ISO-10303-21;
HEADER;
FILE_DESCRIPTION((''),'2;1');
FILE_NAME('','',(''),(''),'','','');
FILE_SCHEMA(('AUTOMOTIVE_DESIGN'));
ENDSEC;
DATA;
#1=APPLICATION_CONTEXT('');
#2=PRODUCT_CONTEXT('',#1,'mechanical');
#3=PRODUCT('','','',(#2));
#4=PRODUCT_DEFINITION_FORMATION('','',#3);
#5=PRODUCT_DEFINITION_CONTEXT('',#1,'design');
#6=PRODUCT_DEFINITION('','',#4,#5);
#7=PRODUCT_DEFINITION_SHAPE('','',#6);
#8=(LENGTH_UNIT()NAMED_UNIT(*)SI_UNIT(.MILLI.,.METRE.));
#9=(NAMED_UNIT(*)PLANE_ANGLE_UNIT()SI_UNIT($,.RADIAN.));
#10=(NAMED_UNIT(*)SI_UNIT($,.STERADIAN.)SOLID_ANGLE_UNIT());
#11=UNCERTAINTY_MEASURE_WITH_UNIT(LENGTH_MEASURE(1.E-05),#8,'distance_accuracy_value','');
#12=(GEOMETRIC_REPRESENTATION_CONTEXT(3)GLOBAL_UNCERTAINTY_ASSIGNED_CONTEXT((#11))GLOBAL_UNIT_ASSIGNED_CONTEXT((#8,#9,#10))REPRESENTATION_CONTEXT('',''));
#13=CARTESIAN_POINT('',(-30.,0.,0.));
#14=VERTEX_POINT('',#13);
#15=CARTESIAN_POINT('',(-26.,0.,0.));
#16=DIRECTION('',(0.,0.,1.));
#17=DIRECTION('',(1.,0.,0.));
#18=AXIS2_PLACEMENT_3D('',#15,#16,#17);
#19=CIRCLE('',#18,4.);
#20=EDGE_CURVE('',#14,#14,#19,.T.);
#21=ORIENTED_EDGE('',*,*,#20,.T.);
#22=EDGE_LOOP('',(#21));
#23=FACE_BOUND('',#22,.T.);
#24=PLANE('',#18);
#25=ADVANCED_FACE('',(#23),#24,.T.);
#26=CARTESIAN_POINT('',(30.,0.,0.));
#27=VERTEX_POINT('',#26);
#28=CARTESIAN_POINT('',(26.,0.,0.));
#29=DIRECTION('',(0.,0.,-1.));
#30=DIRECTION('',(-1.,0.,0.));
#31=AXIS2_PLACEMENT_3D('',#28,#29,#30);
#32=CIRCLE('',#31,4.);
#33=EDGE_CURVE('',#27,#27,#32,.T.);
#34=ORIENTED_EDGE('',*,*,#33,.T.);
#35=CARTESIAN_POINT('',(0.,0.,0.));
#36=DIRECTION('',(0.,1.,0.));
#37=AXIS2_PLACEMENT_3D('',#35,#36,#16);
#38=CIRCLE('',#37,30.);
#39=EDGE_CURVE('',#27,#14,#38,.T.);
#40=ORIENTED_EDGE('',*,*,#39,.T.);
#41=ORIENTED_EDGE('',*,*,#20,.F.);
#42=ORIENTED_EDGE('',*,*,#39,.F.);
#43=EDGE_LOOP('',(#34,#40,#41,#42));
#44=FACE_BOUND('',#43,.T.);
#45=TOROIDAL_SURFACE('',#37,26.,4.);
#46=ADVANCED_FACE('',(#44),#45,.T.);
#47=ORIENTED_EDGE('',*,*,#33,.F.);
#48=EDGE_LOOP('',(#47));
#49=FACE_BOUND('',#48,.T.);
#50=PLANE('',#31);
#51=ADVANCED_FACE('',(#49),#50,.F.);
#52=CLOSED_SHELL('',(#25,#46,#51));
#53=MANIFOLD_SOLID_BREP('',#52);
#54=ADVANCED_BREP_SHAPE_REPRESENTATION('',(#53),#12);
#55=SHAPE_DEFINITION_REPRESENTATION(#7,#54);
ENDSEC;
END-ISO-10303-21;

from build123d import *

# Parameters (mm, degrees)
SKETCH1_R      = 4
REVOLVE1_ANGLE = 180


with BuildPart() as part:
    # Sketch1 → Revolve1 (revolve)
    with BuildSketch(Plane.XY):
        with Locations((-26, 0)):
            Circle(SKETCH1_R)
    revolve(axis=Axis((0, 0, 0), (0, -1, 0)), revolution_arc=REVOLVE1_ANGLE)


solid = part.part
